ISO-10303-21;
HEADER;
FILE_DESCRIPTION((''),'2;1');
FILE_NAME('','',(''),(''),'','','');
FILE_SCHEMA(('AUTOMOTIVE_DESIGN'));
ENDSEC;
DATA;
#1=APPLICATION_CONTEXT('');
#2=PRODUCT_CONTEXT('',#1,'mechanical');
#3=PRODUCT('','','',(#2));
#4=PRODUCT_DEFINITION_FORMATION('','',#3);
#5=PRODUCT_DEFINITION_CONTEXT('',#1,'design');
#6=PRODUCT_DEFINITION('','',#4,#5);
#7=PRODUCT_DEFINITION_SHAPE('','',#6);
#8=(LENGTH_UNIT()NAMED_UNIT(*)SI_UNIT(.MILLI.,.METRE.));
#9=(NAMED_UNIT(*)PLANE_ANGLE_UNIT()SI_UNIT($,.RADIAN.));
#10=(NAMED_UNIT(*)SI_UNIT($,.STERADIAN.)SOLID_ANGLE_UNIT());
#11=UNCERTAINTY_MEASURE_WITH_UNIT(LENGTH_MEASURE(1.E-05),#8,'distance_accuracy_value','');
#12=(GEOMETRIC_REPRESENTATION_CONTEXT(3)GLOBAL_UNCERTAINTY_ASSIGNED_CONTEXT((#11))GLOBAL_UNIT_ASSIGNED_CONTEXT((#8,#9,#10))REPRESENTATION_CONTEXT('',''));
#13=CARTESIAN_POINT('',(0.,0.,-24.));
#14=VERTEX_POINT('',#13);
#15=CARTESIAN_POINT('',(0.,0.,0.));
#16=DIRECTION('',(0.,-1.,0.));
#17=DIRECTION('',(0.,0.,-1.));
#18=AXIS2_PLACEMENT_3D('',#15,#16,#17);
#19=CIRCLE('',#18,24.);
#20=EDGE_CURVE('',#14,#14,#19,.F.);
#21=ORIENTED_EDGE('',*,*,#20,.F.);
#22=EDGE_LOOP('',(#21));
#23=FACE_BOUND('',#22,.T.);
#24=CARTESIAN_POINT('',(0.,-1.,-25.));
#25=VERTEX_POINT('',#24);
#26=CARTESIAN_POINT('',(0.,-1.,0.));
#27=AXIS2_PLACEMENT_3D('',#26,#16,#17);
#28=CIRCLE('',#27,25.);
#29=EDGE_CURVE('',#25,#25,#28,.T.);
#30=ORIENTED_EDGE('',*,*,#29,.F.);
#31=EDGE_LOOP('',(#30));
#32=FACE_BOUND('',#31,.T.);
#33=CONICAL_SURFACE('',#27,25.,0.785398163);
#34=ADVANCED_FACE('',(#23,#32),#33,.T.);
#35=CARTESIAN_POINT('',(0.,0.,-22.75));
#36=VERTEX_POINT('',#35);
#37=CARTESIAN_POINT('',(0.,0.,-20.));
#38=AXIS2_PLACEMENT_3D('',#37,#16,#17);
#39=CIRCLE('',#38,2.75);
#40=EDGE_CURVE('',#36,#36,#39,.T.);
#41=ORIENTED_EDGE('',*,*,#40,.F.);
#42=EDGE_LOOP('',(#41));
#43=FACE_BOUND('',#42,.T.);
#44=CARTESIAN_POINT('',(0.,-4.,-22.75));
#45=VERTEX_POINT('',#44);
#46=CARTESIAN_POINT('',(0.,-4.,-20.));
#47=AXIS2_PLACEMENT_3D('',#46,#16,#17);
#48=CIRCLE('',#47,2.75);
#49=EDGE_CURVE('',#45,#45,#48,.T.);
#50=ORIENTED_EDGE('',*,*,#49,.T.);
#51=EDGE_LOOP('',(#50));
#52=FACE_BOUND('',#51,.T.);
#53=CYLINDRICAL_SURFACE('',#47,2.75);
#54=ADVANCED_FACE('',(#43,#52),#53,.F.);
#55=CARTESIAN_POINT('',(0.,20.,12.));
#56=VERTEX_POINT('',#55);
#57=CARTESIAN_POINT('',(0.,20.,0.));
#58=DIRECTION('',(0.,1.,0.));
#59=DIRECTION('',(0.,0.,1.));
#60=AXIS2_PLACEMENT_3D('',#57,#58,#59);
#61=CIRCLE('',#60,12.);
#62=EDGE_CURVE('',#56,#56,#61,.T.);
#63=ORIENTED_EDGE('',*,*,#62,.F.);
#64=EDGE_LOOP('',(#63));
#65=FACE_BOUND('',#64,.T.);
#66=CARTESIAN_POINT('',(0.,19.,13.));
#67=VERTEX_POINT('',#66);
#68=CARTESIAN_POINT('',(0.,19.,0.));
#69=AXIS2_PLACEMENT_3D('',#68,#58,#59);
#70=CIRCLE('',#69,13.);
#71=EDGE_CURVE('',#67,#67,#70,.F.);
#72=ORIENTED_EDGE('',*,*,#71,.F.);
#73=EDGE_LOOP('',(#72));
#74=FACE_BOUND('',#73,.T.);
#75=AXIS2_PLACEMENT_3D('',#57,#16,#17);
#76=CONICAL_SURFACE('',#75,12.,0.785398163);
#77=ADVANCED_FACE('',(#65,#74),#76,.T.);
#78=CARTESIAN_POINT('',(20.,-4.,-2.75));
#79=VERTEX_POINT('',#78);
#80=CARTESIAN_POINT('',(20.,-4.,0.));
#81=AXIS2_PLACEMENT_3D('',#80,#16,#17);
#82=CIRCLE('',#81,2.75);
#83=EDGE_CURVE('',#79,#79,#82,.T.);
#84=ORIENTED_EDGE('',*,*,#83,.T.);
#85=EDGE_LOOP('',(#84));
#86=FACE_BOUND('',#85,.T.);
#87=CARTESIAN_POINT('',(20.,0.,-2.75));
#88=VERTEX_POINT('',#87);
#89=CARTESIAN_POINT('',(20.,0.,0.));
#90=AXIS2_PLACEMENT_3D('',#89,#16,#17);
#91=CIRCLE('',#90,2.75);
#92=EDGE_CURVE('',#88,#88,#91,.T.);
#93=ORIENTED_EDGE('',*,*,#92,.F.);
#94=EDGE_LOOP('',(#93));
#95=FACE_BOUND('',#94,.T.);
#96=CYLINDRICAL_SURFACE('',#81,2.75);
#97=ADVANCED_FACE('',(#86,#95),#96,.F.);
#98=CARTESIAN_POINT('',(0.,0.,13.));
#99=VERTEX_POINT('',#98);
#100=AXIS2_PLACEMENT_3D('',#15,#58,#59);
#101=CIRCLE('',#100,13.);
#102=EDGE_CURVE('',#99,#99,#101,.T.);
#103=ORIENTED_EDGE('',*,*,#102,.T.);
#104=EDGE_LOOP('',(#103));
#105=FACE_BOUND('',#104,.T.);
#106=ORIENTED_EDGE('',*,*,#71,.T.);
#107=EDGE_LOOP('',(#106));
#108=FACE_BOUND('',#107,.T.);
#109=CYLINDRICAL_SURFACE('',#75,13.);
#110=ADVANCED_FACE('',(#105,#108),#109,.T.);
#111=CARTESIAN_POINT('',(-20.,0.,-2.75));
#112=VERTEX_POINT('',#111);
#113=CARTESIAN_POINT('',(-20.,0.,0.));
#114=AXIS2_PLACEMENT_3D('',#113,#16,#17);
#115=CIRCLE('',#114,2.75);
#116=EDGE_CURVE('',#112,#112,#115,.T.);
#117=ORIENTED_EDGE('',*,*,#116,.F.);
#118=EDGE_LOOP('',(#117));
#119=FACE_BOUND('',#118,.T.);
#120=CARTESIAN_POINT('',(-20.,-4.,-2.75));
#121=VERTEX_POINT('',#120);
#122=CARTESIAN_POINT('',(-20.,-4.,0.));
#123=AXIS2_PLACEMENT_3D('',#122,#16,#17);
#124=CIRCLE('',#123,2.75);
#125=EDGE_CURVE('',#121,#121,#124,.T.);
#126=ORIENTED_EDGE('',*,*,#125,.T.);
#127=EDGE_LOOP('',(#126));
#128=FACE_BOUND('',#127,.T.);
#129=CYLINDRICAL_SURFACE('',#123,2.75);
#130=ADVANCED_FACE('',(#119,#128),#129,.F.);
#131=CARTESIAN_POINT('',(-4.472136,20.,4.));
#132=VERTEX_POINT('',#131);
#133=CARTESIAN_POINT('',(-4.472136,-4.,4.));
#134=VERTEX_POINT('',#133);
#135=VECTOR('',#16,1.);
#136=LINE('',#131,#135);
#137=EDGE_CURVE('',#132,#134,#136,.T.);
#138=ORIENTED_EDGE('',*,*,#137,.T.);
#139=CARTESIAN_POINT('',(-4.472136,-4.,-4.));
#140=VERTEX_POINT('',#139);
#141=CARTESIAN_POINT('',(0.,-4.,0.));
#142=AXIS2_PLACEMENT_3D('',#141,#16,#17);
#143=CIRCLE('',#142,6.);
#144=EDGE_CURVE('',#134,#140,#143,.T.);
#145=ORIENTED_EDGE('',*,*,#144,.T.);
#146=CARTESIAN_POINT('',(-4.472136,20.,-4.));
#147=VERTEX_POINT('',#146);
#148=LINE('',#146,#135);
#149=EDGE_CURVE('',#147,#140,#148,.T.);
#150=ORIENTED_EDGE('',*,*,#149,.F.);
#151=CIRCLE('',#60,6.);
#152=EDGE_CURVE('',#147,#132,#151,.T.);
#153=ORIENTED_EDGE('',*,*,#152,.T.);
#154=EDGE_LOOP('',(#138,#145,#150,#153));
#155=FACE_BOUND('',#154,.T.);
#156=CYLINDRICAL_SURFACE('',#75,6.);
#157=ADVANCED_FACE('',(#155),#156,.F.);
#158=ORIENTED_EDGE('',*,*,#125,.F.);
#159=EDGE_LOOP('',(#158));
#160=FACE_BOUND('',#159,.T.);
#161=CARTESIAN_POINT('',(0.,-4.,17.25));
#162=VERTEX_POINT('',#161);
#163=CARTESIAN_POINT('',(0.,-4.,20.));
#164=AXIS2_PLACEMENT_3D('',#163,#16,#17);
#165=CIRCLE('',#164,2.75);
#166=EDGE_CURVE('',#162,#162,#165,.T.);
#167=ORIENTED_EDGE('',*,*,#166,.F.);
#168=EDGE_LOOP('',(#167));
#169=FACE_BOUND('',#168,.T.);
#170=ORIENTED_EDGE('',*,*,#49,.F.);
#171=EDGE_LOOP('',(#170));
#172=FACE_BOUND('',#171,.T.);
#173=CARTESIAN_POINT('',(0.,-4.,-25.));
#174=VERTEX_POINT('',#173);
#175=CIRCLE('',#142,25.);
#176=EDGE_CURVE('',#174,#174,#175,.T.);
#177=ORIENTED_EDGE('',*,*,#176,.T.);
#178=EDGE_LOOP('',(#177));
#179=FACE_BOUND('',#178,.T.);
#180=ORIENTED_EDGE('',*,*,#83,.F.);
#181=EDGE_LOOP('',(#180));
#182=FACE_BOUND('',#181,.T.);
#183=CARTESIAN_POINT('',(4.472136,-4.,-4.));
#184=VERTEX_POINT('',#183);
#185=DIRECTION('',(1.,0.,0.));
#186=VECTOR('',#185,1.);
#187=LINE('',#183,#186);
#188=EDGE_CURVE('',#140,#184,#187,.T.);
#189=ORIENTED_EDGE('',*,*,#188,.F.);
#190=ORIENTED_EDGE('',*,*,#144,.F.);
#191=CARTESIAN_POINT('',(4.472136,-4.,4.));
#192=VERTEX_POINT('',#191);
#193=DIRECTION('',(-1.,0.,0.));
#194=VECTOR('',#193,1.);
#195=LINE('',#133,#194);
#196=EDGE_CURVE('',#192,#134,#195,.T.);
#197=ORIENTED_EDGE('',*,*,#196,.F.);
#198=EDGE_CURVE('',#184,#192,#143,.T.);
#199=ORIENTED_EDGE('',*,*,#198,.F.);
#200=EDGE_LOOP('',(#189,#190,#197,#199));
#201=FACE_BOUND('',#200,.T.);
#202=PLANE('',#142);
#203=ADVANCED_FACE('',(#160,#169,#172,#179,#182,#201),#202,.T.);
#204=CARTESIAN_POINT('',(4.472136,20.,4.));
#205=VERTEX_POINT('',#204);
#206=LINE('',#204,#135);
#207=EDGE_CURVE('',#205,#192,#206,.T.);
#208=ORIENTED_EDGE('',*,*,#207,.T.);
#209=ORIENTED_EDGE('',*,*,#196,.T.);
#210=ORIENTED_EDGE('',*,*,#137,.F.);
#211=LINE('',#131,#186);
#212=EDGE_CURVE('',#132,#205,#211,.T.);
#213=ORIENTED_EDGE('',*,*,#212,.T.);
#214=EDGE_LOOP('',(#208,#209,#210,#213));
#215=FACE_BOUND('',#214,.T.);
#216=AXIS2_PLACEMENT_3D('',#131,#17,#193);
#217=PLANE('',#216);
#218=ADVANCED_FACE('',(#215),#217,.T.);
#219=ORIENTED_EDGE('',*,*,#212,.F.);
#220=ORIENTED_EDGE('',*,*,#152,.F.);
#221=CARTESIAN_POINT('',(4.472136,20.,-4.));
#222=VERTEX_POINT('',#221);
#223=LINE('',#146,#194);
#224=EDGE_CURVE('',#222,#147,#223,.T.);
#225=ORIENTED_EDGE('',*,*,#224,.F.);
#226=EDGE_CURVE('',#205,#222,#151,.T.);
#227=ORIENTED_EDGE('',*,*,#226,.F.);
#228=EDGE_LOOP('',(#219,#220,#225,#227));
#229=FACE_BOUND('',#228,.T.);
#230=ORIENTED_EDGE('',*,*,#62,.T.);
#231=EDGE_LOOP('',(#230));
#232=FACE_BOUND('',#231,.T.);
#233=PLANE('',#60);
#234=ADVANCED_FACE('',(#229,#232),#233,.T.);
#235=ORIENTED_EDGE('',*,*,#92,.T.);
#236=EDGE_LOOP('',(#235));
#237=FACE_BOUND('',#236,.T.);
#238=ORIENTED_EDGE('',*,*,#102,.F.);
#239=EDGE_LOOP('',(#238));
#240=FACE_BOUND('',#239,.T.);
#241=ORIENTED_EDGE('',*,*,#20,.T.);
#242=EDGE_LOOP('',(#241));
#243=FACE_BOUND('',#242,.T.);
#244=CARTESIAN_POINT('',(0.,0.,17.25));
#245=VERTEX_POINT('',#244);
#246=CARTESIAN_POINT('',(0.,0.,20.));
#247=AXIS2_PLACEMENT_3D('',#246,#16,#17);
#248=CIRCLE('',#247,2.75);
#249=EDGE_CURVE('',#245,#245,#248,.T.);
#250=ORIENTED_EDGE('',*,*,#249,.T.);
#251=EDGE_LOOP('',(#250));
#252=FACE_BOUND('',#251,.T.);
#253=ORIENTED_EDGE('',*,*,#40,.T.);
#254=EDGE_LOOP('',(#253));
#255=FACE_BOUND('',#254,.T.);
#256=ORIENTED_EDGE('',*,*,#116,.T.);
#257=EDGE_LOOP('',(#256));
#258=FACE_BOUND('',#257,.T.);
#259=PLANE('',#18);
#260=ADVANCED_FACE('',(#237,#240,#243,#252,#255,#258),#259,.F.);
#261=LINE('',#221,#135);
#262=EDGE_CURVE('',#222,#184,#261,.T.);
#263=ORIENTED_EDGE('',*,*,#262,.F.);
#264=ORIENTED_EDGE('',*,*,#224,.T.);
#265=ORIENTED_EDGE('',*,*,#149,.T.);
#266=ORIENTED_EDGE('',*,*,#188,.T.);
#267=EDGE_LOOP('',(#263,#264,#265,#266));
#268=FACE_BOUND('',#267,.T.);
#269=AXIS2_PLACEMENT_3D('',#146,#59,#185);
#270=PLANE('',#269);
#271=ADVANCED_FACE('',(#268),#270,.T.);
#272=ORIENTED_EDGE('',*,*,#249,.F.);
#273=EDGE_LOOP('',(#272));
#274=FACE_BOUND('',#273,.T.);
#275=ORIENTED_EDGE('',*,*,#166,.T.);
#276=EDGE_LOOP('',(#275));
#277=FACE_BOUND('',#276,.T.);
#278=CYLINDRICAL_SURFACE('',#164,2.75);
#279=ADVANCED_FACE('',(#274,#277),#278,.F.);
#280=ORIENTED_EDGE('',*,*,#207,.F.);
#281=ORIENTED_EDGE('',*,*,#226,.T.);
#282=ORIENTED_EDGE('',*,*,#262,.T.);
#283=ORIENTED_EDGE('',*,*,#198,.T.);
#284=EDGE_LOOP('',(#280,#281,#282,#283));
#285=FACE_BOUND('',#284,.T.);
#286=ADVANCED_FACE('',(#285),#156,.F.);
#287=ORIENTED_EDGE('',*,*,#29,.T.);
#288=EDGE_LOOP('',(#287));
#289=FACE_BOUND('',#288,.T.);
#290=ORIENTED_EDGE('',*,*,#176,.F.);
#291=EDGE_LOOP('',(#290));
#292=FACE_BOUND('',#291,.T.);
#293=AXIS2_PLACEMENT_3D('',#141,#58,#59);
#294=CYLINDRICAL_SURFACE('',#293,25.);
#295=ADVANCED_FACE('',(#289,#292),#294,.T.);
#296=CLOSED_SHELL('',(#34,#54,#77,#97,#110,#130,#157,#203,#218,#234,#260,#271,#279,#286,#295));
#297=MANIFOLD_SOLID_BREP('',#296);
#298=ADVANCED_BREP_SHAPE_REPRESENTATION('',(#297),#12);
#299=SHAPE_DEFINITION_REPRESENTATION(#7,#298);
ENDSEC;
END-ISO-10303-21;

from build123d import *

# Parameters (mm, degrees)
SKIZZE1_R                       = 13
AUFSATZ_LINEAR_AUSTRAGEN1_DEPTH = 20
AUFSATZ_LINEAR_START            = 4
SKIZZE5_R                       = 25
AUFSATZ_LINEAR_AUSTRAGEN2_DEPTH = 4
DURCHGANGSLOCH_F_R_M51_D        = 5.5
DURCHGANGSLOCH_F_R_M51_DEPTH    = 25
DURCHGANGSLOCH_F_R_M51_TIP      = 1.652366702
FASE1_SIZE                      = 1


with BuildPart() as part:
    # Skizze1 → Aufsatz-Linear austragen1 (new body)
    with BuildSketch(Plane(origin=(0, 0, 0), x_dir=(1, 0, 0), z_dir=(0, 1, 0))):
        with Locations(Location((0, 0, 0), (0, 0, 270))):
            Circle(SKIZZE1_R)
        with BuildLine():
            Line((-4.472135955, 4), (4.472135955, 4))
            ThreePointArc((4.472135955, 4), (6, 0), (4.472135955, -4))
            Line((4.472135955, -4), (-4.472135955, -4))
            ThreePointArc((-4.472135955, -4), (-6, 0), (-4.472135955, 4))
        make_face(mode=Mode.SUBTRACT)
    extrude(amount=AUFSATZ_LINEAR_AUSTRAGEN1_DEPTH)

    # Skizze5 → Aufsatz-Linear austragen2 (add)
    with BuildSketch(Plane.XZ.offset(AUFSATZ_LINEAR_START)):
        with Locations(Location((0, 0, 0), (0, 0, 270))):
            Circle(SKIZZE5_R)
        with BuildLine():
            Line((4.472135955, -4), (-4.472135955, -4))
            ThreePointArc((-4.472135955, -4), (-6, 0), (-4.472135955, 4))
            Line((-4.472135955, 4), (4.472135955, 4))
            ThreePointArc((4.472135955, 4), (6, 0), (4.472135955, -4))
        make_face(mode=Mode.SUBTRACT)
    extrude(amount=-AUFSATZ_LINEAR_AUSTRAGEN2_DEPTH)

    # Durchgangsloch für M51
    with Locations(Plane(origin=(0, -4, 0), x_dir=(-1, 0, 0), z_dir=(0, -1, 0))):
        with Locations((0, 20), (20, 0), (0, -20), (-20, 0)):
            Hole(DURCHGANGSLOCH_F_R_M51_D / 2, depth=DURCHGANGSLOCH_F_R_M51_DEPTH)
            with Locations((0, 0, -(DURCHGANGSLOCH_F_R_M51_DEPTH + DURCHGANGSLOCH_F_R_M51_TIP / 2))):  # 118° drill point
                Cone(0, DURCHGANGSLOCH_F_R_M51_D / 2, DURCHGANGSLOCH_F_R_M51_TIP, mode=Mode.SUBTRACT)

    # Fase1
    fase1_edges = [part.edges().sort_by_distance(p)[0] for p in [
        (0, 0, 25),
        (0, 20, -13),
    ]]
    chamfer(fase1_edges, length=FASE1_SIZE)


solid = part.part
